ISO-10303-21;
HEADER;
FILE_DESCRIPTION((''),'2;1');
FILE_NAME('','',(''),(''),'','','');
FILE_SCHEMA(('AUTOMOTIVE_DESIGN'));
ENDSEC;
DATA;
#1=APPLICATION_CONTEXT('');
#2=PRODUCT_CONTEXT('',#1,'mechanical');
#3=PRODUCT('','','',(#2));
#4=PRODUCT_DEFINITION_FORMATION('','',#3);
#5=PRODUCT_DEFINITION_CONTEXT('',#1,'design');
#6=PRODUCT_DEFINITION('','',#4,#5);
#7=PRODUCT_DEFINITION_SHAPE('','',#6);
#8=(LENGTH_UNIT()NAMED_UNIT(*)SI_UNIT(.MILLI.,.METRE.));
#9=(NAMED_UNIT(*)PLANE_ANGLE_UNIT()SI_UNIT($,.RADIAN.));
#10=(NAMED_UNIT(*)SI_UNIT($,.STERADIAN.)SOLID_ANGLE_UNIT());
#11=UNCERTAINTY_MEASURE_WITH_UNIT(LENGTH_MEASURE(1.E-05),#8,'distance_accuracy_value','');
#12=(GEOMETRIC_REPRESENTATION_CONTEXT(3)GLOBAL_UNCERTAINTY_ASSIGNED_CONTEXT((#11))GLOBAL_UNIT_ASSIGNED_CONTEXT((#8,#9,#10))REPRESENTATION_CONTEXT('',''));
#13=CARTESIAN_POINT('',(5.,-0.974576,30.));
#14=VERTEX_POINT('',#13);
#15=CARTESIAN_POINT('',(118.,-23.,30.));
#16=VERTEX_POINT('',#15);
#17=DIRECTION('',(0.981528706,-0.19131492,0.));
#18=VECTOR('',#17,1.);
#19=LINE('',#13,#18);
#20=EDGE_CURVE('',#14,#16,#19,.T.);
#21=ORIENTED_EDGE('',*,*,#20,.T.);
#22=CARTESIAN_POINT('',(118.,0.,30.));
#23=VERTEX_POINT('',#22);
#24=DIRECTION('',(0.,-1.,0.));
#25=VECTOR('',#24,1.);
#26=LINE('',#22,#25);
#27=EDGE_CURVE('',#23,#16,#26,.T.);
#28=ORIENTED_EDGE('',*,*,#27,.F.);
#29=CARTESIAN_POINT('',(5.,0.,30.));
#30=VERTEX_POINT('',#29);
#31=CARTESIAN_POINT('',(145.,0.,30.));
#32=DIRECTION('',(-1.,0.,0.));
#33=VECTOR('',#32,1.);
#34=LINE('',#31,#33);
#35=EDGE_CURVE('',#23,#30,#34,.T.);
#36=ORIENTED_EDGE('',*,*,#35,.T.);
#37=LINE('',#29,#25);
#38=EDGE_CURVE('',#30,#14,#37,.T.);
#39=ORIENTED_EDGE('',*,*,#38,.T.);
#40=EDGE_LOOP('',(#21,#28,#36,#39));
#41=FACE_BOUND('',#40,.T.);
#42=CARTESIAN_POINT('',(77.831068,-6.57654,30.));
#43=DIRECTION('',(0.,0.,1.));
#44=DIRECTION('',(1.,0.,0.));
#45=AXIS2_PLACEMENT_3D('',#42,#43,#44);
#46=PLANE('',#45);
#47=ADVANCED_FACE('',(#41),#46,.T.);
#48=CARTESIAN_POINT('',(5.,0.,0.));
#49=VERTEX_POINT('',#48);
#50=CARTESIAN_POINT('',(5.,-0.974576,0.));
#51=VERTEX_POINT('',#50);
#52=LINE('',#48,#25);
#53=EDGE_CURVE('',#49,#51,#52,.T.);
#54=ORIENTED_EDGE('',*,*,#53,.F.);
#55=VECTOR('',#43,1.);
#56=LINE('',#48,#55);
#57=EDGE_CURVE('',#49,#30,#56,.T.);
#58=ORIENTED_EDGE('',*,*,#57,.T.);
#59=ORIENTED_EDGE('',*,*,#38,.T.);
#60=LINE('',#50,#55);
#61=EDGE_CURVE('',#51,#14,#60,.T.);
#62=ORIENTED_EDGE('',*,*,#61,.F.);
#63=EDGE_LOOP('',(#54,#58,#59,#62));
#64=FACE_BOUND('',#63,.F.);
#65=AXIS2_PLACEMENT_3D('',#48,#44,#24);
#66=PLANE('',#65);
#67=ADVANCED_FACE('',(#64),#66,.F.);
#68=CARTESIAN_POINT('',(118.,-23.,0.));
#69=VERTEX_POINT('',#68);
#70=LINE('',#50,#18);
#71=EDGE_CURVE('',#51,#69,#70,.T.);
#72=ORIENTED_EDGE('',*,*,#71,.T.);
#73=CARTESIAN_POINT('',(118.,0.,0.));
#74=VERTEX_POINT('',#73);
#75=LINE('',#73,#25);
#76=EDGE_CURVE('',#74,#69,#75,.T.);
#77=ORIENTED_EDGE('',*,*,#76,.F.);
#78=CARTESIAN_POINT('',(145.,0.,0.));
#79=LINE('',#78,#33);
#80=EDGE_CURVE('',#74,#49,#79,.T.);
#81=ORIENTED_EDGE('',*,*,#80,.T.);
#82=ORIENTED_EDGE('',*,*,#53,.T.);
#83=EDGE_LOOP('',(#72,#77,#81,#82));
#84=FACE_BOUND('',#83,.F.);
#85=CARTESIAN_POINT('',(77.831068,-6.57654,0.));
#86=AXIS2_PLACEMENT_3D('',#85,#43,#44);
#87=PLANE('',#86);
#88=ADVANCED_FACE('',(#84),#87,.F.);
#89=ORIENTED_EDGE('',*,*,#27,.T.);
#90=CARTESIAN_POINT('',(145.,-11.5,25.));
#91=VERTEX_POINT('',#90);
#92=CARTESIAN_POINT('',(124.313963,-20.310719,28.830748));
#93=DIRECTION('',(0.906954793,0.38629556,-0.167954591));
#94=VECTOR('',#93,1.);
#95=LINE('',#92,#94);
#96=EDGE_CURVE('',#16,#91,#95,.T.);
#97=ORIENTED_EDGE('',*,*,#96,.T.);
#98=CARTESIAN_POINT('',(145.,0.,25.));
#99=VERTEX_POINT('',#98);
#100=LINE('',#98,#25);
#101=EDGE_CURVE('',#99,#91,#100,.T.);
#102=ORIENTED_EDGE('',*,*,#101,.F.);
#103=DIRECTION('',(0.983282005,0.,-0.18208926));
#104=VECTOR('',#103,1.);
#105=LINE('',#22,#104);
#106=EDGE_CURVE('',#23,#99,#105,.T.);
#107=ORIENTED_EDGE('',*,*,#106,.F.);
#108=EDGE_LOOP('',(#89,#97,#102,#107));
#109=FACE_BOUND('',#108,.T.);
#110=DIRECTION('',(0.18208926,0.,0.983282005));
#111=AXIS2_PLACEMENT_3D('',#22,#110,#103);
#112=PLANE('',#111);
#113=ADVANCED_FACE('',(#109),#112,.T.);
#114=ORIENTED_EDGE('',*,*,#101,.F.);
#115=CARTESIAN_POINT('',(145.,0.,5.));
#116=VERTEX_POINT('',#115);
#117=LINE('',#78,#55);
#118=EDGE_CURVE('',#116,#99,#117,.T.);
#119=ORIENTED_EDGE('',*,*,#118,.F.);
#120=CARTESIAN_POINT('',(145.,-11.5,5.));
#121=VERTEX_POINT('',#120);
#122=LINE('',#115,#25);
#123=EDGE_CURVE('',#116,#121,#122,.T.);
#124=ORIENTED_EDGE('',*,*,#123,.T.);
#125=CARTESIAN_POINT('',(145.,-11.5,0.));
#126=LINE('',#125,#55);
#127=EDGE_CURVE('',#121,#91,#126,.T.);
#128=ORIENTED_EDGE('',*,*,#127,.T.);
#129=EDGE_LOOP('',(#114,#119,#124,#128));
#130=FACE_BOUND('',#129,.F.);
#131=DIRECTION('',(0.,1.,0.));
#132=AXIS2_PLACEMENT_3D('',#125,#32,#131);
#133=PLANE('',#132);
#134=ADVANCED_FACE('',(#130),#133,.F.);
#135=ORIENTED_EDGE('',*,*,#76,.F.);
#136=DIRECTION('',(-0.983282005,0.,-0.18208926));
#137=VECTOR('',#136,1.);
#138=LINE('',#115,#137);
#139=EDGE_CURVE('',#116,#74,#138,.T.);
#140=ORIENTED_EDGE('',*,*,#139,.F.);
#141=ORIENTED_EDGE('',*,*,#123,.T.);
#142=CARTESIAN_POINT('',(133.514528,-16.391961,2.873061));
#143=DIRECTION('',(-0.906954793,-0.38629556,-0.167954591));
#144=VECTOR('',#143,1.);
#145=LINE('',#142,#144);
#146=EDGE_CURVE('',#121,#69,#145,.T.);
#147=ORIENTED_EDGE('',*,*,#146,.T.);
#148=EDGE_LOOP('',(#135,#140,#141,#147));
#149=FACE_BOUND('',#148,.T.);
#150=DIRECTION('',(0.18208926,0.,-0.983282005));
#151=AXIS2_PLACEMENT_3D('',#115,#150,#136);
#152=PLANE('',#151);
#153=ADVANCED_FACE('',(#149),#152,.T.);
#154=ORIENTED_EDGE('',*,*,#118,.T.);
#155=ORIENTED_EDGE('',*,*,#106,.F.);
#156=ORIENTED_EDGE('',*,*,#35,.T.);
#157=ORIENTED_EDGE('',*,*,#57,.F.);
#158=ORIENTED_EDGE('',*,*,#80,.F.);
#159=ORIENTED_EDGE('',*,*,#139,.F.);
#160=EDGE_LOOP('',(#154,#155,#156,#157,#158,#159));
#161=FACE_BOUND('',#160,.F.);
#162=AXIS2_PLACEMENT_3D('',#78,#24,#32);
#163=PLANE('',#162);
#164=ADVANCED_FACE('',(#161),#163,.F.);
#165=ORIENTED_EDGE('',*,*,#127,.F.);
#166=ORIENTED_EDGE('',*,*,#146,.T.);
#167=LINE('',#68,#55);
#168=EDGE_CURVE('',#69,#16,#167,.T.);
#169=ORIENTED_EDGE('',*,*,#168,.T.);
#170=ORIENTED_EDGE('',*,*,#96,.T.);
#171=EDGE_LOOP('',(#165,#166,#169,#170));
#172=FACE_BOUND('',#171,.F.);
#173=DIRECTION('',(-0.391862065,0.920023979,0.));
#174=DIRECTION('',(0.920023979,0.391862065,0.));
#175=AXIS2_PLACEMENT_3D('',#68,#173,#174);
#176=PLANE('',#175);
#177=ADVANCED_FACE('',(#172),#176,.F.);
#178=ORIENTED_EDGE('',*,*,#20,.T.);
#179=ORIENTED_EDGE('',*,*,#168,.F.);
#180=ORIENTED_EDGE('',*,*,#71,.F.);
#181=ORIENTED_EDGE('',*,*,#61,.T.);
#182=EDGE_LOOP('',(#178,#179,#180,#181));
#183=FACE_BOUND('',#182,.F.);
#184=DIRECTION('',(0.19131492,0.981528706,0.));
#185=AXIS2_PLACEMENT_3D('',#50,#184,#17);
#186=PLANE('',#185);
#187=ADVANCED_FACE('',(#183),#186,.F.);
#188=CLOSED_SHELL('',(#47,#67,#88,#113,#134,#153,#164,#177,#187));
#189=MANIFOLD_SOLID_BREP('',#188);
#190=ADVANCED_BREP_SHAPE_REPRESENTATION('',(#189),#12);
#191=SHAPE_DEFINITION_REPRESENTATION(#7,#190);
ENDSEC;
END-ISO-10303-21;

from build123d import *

# Parameters (mm, degrees)
F1_DEPTH = 30
F3_DEPTH = 25


with BuildPart() as f1:
    # F0 (on Top) → F1 (new body)
    with BuildSketch(Plane.XY):
        Polygon((145, 0), (5, 0), (5, -0.974576), (118, -23), (145, -11.5), align=None)
    extrude(amount=F1_DEPTH)

    # F2 (on Front) → F3 (cut)
    with BuildSketch(Plane.XZ):
        Polygon((118, 0), (145, 0), (145, 5), align=None)
        Polygon((145, 30), (118, 30), (145, 25), align=None)
    extrude(amount=F3_DEPTH, mode=Mode.SUBTRACT)


solid = f1.part
